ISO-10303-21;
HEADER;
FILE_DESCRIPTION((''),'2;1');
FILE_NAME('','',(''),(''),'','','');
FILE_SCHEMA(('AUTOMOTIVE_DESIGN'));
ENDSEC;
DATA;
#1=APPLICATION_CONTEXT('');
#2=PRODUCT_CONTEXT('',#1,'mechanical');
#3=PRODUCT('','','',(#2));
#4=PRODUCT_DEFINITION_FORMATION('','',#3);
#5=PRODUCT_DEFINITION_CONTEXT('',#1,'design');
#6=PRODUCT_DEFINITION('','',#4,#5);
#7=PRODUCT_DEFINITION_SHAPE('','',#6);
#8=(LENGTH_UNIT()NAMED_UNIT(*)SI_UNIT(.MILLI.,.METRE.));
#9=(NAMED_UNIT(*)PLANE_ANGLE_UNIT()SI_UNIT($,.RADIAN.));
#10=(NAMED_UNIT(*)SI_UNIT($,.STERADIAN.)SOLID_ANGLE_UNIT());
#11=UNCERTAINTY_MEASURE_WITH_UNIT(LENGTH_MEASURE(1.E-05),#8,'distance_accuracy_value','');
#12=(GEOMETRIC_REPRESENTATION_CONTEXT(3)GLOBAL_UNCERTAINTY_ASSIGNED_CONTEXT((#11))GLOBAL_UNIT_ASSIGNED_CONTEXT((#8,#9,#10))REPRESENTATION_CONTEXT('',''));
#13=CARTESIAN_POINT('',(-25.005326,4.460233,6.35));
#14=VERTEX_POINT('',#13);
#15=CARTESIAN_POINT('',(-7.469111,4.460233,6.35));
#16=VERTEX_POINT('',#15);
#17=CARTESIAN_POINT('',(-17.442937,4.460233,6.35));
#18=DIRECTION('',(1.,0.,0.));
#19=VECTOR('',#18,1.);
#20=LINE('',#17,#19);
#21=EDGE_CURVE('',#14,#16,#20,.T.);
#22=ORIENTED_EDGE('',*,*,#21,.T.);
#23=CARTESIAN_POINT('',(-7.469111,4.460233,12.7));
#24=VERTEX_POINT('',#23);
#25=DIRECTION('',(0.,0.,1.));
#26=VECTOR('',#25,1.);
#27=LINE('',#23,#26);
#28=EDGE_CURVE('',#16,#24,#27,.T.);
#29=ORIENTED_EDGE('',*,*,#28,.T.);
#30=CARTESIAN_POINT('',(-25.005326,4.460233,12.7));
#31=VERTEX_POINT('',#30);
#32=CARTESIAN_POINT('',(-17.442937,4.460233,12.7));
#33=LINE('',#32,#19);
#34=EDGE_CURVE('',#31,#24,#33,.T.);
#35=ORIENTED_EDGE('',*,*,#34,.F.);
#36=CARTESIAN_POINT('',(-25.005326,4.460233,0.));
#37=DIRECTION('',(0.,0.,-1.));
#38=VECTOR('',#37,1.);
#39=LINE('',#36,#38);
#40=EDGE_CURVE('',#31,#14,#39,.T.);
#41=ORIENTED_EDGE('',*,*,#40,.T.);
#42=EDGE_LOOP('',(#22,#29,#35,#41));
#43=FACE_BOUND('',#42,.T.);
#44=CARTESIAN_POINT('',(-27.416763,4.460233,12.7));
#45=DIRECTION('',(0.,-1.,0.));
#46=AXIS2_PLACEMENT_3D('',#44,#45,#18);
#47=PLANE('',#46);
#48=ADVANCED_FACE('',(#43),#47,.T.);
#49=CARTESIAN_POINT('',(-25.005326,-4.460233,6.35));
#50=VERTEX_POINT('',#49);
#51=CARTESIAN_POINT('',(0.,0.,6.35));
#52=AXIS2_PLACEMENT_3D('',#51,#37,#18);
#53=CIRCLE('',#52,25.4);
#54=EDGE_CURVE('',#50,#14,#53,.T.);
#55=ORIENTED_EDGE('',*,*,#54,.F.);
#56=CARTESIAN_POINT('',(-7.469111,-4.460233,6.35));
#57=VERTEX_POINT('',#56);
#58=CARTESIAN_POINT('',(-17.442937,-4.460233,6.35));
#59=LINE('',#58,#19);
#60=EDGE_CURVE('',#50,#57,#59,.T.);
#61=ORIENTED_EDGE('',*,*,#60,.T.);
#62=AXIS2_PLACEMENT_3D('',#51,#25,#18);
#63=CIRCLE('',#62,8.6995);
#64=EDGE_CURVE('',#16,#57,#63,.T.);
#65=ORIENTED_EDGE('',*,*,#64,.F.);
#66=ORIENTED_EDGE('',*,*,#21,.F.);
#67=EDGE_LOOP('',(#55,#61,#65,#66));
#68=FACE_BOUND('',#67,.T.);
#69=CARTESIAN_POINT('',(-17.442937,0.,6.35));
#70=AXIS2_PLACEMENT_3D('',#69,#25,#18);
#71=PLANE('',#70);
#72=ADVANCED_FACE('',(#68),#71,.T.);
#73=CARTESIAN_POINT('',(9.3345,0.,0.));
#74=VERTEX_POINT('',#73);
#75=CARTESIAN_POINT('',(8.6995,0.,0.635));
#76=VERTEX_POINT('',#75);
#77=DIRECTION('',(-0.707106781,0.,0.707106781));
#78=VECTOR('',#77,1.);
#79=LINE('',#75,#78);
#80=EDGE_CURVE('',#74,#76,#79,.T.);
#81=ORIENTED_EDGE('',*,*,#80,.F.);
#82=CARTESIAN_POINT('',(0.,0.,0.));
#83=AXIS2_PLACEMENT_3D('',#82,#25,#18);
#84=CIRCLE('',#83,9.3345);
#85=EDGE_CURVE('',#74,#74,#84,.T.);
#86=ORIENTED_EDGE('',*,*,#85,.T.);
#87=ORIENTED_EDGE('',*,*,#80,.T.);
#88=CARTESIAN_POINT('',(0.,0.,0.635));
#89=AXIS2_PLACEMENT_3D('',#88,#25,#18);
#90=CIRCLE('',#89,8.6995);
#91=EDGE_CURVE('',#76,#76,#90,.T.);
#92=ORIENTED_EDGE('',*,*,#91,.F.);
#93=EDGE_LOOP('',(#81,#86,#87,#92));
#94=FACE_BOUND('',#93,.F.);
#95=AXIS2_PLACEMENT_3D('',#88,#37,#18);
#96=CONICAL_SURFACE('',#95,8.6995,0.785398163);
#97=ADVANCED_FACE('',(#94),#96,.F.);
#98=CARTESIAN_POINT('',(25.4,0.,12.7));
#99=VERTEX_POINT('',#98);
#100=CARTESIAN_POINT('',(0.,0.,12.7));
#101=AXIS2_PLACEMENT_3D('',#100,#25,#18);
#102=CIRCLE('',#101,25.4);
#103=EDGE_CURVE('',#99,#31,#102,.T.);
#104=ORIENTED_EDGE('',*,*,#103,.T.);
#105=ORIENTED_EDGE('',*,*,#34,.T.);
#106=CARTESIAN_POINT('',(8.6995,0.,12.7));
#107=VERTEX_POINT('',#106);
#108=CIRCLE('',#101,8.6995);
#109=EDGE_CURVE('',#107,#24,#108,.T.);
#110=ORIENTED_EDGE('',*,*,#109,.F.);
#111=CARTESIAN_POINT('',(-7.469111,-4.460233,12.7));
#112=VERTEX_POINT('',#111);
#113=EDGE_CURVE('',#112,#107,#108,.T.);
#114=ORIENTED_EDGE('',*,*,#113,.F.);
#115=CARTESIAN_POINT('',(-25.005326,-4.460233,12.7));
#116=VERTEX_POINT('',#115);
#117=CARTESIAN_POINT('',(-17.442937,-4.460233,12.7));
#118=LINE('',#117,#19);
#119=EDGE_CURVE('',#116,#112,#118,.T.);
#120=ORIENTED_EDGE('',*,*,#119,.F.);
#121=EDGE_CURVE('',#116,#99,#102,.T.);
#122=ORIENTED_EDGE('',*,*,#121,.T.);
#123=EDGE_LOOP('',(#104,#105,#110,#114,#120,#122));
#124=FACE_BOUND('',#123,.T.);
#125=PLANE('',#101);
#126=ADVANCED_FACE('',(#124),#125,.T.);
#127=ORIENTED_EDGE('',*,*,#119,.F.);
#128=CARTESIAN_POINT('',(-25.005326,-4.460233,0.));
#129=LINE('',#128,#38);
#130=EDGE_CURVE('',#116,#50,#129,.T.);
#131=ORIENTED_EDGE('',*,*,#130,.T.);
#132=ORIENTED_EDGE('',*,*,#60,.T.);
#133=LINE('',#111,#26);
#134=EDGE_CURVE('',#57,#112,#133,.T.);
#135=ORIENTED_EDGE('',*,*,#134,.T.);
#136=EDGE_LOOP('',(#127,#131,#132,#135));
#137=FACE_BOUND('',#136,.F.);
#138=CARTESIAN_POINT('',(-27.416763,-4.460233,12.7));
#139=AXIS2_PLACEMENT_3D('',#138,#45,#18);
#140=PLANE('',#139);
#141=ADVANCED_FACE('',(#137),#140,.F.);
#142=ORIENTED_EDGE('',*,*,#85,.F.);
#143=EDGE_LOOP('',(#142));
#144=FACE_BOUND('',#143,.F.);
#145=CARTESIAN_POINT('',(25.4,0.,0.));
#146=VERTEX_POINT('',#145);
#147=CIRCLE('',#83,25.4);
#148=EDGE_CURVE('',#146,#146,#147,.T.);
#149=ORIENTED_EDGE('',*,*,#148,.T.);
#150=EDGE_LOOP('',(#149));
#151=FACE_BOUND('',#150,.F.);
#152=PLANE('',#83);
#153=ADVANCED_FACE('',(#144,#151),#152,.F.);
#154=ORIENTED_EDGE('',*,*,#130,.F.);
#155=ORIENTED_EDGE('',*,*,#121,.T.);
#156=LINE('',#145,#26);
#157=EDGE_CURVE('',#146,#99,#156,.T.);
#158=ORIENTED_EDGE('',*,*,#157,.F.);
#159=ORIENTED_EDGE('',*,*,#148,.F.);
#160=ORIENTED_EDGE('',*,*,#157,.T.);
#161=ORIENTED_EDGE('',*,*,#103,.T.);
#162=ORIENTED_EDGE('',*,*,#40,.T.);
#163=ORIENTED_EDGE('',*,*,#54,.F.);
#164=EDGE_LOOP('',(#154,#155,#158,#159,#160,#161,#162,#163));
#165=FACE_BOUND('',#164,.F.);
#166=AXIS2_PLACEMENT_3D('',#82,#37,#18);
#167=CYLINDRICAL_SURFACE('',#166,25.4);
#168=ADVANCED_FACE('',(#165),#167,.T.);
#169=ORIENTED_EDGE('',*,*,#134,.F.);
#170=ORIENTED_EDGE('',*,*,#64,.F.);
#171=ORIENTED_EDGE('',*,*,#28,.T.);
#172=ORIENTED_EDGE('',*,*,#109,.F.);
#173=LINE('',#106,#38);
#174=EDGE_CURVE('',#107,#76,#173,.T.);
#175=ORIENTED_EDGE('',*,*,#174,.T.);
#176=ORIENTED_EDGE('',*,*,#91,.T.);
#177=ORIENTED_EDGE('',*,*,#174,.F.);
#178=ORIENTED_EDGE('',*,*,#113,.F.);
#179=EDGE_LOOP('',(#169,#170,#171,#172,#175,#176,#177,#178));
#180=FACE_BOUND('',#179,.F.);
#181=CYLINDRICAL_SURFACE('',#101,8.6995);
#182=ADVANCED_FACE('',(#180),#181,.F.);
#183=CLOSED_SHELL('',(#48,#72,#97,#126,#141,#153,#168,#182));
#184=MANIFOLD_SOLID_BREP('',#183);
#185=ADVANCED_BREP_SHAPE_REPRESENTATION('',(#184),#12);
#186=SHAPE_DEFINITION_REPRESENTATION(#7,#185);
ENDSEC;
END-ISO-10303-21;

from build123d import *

# Parameters (mm, degrees)
F0_R     = 25.4
F1_DEPTH = 12.7
F2_R     = 8.6995
F3_DEPTH = 25.4
F4_W     = 19.947653
F4_H     = 8.920466
F5_DEPTH = 6.35
F6_SIZE  = 0.635


with BuildPart() as f1:
    # F0 (on Top) → F1 (new body)
    with BuildSketch(Plane.XY):
        Circle(F0_R)
    extrude(amount=F1_DEPTH)

    # F2 (on face) → F3 (cut)
    with BuildSketch(Plane.XY.offset(12.7)):
        Circle(F2_R)
    extrude(amount=-F3_DEPTH, mode=Mode.SUBTRACT)

    # F4 (on face) → F5 (cut)
    with BuildSketch(Plane.XY.offset(12.7)):
        with Locations((-17.442937, 0)):
            Rectangle(F4_W, F4_H)
    extrude(amount=-F5_DEPTH, mode=Mode.SUBTRACT)

    # F6
    f6_edges = [f1.edges().sort_by_distance(p)[0] for p in [
        (-8.6995, 0, 0),
    ]]
    chamfer(f6_edges, length=F6_SIZE)


solid = f1.part
